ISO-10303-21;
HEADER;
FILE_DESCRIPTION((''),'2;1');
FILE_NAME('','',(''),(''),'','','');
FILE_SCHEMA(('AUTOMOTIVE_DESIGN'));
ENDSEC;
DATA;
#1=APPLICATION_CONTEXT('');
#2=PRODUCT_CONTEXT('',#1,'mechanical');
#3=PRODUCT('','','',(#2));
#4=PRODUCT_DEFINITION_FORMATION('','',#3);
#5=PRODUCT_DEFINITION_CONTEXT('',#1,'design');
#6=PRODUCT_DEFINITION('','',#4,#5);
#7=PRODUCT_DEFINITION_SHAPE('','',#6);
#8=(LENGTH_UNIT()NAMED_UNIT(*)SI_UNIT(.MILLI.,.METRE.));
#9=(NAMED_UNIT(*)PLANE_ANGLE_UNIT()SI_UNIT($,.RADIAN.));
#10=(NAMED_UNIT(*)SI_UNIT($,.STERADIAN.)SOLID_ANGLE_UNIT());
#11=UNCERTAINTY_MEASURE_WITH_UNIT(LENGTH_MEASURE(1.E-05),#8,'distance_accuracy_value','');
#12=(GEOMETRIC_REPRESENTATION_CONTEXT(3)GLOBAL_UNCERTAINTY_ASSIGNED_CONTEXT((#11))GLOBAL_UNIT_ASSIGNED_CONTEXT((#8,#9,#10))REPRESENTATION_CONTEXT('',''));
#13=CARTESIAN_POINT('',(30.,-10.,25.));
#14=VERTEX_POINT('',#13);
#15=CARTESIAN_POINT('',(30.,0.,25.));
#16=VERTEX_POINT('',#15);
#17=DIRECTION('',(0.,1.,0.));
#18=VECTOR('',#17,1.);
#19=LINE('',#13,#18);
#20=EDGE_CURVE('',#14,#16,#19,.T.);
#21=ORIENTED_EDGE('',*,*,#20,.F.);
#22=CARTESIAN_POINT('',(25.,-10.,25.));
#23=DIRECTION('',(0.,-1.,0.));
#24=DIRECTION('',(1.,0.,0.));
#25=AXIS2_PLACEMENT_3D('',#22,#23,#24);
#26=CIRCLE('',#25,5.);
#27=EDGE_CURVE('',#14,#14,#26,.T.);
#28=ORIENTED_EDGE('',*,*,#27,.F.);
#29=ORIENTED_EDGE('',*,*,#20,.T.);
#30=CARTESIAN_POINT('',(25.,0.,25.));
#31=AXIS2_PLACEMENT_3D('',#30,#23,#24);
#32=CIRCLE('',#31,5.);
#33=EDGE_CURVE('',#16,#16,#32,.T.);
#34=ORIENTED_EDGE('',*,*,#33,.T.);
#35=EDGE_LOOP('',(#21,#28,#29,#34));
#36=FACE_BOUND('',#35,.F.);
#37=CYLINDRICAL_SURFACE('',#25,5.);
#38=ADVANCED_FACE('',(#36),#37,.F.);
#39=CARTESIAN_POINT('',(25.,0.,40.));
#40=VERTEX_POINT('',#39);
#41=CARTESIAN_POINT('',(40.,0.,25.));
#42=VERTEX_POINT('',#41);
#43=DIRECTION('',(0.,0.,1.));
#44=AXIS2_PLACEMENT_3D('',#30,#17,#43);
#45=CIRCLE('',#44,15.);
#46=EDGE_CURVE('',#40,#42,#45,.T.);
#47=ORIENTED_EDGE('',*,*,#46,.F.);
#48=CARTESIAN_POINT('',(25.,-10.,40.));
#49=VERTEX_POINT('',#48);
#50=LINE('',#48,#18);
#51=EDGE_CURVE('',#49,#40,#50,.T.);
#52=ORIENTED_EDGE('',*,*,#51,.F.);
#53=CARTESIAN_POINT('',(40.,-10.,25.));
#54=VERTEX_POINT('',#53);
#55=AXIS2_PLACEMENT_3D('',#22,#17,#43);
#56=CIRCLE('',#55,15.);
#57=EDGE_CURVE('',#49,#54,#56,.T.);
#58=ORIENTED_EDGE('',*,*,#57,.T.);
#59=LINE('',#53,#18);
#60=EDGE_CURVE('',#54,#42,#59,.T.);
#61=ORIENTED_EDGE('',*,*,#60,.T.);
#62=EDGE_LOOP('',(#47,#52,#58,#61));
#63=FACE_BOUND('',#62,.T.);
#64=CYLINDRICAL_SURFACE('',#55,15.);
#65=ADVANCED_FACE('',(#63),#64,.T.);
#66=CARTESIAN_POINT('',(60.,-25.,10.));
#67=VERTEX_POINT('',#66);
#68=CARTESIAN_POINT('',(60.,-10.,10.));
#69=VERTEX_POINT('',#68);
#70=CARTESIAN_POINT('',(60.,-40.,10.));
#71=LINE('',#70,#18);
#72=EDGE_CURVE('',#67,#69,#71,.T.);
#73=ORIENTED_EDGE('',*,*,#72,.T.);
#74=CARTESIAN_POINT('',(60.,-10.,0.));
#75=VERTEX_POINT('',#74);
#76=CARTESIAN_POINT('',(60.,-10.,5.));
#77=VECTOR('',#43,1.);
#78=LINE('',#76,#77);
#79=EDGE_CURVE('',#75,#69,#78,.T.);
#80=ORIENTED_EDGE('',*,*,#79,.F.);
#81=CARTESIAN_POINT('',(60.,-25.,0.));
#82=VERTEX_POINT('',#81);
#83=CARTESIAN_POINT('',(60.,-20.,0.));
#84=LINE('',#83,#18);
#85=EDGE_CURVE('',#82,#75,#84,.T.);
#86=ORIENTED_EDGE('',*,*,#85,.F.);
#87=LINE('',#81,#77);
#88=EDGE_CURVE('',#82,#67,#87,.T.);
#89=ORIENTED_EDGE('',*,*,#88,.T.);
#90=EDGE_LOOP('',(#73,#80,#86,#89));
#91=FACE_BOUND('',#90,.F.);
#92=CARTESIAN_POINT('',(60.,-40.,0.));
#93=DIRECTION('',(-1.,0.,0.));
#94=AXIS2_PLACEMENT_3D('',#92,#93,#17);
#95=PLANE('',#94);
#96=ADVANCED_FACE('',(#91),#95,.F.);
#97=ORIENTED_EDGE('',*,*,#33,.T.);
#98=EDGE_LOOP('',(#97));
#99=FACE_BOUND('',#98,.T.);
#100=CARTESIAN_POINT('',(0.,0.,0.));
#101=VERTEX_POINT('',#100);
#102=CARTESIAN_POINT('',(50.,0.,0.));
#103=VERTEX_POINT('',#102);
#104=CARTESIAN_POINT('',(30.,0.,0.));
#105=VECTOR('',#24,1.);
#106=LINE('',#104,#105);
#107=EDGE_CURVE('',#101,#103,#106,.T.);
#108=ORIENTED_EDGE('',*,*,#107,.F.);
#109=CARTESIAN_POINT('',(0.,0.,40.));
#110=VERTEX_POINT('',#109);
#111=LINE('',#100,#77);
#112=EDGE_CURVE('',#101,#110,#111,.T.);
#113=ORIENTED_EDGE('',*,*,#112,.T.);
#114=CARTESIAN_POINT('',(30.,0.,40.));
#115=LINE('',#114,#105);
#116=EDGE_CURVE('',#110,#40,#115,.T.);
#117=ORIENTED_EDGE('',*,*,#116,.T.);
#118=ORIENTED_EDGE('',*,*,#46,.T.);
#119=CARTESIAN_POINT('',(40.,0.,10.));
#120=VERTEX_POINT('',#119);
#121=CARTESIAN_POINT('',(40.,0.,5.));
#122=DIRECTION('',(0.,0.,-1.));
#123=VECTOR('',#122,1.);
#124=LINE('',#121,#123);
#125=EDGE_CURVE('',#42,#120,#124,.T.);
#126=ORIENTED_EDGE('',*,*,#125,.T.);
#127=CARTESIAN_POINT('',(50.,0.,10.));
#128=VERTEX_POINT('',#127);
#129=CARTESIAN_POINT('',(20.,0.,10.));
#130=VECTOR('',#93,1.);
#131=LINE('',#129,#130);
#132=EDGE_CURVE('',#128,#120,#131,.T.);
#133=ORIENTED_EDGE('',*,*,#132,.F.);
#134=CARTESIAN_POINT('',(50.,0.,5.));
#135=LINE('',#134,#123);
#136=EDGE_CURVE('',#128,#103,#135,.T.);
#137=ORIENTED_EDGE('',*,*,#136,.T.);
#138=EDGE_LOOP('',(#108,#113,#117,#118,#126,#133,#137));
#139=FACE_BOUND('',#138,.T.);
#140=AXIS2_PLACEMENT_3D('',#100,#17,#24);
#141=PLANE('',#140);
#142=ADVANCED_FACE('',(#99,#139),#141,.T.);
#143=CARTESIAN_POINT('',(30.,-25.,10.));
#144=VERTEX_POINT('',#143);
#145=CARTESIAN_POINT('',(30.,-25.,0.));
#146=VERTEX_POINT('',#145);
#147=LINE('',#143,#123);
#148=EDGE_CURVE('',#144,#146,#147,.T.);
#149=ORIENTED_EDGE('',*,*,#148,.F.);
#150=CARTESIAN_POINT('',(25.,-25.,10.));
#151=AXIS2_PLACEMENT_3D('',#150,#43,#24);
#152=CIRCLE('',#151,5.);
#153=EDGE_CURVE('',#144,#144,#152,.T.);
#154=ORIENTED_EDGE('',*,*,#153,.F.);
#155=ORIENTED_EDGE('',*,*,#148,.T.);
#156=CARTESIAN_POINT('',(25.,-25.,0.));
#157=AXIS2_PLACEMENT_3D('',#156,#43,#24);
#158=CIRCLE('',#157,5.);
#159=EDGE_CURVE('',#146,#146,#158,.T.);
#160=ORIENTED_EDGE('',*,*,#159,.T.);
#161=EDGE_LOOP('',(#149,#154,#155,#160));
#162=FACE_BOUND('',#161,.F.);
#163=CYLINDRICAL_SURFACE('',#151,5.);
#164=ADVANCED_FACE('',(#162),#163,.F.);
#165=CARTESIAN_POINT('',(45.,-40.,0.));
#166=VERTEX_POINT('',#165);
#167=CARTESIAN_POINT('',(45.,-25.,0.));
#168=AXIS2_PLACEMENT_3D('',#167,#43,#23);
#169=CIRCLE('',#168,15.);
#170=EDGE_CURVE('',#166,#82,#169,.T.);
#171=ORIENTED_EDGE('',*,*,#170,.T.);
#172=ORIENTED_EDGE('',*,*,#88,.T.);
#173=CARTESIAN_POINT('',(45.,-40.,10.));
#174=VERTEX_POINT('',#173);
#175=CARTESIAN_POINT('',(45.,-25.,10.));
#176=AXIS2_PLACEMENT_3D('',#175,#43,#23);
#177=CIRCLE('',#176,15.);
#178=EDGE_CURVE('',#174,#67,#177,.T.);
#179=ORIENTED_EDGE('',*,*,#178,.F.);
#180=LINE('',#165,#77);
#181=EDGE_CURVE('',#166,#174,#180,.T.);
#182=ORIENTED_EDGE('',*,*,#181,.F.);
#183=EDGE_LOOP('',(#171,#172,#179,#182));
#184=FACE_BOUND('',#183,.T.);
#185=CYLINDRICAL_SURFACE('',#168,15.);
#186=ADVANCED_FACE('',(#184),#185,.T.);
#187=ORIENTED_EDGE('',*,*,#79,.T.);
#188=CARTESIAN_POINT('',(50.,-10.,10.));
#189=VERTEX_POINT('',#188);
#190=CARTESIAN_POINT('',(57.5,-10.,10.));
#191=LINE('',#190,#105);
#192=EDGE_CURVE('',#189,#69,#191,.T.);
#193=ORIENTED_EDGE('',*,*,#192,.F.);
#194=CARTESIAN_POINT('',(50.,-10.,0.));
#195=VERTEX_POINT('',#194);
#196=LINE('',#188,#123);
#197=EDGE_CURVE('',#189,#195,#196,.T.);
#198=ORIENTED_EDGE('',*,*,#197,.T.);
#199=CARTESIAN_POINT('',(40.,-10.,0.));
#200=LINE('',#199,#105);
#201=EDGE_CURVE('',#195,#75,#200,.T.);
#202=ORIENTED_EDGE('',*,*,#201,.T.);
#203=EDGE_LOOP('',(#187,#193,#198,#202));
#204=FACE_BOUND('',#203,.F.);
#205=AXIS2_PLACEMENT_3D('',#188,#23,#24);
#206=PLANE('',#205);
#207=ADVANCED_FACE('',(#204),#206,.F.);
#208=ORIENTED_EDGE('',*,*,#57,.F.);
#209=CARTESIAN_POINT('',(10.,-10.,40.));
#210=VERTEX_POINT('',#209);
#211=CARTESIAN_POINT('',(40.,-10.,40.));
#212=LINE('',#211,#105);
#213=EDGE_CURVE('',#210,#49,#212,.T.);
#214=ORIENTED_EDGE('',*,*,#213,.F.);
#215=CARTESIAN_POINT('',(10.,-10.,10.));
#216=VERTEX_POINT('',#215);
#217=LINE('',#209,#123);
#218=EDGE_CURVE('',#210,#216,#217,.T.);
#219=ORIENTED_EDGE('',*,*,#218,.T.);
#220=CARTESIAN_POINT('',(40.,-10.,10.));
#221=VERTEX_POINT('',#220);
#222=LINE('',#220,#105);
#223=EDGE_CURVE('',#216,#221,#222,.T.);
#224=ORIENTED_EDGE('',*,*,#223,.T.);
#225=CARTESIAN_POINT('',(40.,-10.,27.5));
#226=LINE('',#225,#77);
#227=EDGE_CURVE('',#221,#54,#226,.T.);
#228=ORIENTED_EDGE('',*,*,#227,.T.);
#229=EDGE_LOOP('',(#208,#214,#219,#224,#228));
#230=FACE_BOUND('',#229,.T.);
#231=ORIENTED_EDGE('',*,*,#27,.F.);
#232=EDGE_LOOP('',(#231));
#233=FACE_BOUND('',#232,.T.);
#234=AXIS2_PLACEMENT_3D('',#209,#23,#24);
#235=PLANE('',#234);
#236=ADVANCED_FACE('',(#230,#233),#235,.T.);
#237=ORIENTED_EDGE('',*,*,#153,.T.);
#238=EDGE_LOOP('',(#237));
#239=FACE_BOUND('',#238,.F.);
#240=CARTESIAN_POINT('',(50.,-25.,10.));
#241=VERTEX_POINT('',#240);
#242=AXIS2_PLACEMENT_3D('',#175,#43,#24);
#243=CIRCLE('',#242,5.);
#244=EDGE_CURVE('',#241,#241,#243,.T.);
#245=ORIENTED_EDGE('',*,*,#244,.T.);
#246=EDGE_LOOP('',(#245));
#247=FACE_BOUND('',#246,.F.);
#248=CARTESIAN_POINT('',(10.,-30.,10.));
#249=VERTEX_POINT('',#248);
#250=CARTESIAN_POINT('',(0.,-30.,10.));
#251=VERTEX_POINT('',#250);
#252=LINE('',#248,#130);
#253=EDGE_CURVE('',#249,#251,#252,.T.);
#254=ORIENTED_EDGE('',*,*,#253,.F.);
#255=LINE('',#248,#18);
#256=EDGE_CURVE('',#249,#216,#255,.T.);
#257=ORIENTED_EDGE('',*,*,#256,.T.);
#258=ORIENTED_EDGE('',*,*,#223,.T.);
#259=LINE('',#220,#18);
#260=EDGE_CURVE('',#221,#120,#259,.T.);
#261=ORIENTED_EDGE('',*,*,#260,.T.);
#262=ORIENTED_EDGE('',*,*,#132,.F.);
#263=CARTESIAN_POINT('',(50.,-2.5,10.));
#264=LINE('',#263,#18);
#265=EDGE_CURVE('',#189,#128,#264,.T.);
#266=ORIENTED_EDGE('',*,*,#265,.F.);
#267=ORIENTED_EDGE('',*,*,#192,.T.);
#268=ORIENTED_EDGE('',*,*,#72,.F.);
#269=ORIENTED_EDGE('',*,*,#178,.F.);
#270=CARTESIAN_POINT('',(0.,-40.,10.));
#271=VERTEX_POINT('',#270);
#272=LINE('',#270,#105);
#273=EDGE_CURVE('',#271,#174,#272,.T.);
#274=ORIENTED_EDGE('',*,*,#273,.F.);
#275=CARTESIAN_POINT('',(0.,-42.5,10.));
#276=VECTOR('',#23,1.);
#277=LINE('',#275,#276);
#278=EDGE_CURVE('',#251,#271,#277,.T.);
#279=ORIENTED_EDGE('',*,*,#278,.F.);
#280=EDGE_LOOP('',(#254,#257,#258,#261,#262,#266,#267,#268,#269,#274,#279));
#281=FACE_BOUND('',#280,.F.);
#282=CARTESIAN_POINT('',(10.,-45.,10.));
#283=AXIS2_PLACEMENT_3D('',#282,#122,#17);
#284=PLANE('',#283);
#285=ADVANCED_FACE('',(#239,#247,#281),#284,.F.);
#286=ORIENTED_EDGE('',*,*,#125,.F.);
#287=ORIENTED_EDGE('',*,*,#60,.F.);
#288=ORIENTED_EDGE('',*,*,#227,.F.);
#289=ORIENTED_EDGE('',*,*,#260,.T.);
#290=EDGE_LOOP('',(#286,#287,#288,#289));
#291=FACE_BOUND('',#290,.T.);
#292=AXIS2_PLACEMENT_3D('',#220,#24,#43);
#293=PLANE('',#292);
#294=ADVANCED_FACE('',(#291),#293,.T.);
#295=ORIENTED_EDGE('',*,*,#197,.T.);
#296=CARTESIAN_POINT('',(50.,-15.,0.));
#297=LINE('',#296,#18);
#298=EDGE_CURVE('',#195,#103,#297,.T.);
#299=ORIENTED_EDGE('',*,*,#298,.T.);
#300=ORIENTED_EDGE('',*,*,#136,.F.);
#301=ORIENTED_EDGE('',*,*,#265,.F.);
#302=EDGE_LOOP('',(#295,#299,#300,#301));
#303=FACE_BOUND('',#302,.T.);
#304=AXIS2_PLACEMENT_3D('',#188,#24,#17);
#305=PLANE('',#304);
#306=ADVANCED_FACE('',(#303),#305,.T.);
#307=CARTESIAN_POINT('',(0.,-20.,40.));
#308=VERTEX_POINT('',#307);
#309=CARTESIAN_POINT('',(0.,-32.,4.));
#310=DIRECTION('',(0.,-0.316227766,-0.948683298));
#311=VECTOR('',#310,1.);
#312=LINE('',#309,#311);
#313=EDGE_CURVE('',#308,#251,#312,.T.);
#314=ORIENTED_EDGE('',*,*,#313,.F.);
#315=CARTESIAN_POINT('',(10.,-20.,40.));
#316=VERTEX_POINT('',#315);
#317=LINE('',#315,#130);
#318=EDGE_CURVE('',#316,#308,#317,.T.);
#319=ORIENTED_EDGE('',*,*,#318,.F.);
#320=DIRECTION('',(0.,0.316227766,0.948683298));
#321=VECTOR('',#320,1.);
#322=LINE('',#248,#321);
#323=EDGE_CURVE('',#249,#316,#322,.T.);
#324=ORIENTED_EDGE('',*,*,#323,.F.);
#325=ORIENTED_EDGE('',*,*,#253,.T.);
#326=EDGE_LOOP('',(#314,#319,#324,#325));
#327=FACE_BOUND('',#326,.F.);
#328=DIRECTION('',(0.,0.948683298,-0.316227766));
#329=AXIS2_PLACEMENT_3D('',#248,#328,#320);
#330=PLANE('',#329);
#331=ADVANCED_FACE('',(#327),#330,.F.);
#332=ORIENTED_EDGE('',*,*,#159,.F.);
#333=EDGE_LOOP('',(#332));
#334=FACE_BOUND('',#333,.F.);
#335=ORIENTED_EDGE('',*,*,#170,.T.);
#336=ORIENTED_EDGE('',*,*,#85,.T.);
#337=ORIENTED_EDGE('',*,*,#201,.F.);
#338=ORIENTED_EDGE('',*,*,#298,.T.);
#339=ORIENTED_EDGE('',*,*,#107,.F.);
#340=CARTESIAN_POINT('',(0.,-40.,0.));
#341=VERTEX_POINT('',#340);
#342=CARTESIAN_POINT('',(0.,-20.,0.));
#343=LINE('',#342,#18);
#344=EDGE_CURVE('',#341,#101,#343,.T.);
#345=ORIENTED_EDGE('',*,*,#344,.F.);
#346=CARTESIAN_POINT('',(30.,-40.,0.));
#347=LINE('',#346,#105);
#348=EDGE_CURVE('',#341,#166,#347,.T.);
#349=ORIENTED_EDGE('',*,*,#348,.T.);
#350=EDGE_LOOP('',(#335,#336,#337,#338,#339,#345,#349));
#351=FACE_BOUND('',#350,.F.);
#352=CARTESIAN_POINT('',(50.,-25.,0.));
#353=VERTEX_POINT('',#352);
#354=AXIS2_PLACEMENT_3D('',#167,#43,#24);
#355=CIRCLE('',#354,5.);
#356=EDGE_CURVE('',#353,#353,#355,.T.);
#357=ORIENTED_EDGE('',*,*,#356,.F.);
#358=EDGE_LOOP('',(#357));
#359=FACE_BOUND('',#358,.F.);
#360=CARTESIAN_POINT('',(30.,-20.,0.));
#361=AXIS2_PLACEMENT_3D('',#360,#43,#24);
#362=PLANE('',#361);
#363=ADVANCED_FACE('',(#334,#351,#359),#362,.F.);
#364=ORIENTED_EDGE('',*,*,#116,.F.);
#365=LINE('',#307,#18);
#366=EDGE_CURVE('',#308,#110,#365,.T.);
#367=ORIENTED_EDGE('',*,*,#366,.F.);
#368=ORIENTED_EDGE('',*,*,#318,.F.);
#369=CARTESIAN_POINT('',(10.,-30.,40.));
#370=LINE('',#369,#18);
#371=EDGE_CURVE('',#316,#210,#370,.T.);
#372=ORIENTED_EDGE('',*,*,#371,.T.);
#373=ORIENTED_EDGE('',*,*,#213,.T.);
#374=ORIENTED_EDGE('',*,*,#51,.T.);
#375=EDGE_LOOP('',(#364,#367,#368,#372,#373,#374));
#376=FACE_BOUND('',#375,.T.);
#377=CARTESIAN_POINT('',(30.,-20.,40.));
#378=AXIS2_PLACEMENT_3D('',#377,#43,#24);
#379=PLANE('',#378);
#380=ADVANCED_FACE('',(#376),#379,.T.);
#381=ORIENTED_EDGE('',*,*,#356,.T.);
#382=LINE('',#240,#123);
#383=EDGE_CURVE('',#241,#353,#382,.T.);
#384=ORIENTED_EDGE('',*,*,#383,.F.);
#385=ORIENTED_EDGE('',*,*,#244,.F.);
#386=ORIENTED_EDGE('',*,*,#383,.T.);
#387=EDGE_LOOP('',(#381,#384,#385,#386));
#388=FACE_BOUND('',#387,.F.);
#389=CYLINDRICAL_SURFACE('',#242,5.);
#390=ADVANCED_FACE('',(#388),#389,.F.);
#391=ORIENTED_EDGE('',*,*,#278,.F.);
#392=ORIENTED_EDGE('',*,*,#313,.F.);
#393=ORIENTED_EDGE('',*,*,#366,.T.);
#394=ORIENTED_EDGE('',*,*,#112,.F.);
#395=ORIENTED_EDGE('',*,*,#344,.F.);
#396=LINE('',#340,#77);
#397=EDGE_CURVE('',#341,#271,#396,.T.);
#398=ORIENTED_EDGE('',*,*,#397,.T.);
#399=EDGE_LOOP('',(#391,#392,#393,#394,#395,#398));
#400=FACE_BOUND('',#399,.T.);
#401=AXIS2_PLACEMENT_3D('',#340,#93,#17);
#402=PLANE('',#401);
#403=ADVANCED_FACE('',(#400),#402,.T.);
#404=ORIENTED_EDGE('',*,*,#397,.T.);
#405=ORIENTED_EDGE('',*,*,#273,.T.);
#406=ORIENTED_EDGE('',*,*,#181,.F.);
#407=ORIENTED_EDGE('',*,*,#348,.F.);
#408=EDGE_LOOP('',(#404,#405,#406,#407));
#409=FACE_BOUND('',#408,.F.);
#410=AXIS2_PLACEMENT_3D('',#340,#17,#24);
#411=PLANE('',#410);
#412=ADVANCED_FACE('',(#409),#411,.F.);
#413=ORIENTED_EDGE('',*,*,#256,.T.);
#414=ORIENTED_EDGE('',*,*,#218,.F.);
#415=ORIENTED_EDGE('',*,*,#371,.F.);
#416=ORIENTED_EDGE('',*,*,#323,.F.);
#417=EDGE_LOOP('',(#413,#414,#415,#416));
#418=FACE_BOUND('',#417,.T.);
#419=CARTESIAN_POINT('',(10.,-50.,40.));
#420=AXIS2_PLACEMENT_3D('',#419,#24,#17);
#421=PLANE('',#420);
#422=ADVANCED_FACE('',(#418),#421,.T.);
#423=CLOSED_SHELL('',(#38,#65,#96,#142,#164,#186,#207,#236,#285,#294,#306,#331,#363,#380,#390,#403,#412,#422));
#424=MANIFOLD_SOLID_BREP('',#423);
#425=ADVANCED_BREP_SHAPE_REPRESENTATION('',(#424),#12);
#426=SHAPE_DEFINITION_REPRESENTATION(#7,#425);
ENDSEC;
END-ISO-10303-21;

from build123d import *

# Parameters (mm, degrees)
F0_W      = 60
F0_H      = 40
F1_DEPTH  = 40
F2_W      = 60
F2_H      = 40
F3_DEPTH  = 30
F5_DEPTH  = 10.001
F6_W      = 25
F6_H      = 35
F7_DEPTH  = 10.001
F8_W      = 15
F8_H      = 15
F9_DEPTH  = 10.001
F10_R     = 5
F11_DEPTH = 10.001
F12_R     = 5
F13_DEPTH = 10.001
F14_R     = 15
F15_R     = 15


with BuildPart() as f1:
    # F0 (on Top) → F1 (new body)
    with BuildSketch(Plane.XY):
        with Locations((30, -20)):
            Rectangle(F0_W, F0_H)
    extrude(amount=F1_DEPTH)

    # F2 (on face) → F3 (cut)
    with BuildSketch(Plane.XY.offset(40)):
        with Locations((40, -30)):
            Rectangle(F2_W, F2_H)
    extrude(amount=-F3_DEPTH, mode=Mode.SUBTRACT)

    # F4 (on face) → F5 (cut, through all)
    with BuildSketch(Plane.YZ.offset(10)):
        Polygon((-30, 10), (-20, 40), (-20, 45), (-45, 45), (-45, 10), align=None)
    extrude(amount=-F5_DEPTH, mode=Mode.SUBTRACT)

    # F6 (on face) → F7 (cut, through all)
    with BuildSketch(Plane.XZ.offset(10)):
        with Locations((52.5, 27.5)):
            Rectangle(F6_W, F6_H)
    extrude(amount=-F7_DEPTH, mode=Mode.SUBTRACT)

    # F8 (on face) → F9 (cut, through all)
    with BuildSketch(Plane.XY.offset(10)):
        with Locations((57.5, -2.5)):
            Rectangle(F8_W, F8_H)
    extrude(amount=-F9_DEPTH, mode=Mode.SUBTRACT)

    # F10 (on face) → F11 (cut, through all)
    with BuildSketch(Plane.XY.offset(10)):
        with Locations((25, -25)):
            Circle(F10_R)
        with Locations((45, -25)):
            Circle(F10_R)
    extrude(amount=-F11_DEPTH, mode=Mode.SUBTRACT)

    # F12 (on face) → F13 (cut, through all)
    with BuildSketch(Plane.XZ.offset(10)):
        with Locations((25, 25)):
            Circle(F12_R)
    extrude(amount=-F13_DEPTH, mode=Mode.SUBTRACT)

    # F14
    f14_edges = [f1.edges().sort_by_distance(p)[0] for p in [
        (60, -40, 5),
    ]]
    fillet(f14_edges, radius=F14_R)

    # F15
    f15_edges = [f1.edges().sort_by_distance(p)[0] for p in [
        (40, -5, 40),
    ]]
    fillet(f15_edges, radius=F15_R)


solid = f1.part
